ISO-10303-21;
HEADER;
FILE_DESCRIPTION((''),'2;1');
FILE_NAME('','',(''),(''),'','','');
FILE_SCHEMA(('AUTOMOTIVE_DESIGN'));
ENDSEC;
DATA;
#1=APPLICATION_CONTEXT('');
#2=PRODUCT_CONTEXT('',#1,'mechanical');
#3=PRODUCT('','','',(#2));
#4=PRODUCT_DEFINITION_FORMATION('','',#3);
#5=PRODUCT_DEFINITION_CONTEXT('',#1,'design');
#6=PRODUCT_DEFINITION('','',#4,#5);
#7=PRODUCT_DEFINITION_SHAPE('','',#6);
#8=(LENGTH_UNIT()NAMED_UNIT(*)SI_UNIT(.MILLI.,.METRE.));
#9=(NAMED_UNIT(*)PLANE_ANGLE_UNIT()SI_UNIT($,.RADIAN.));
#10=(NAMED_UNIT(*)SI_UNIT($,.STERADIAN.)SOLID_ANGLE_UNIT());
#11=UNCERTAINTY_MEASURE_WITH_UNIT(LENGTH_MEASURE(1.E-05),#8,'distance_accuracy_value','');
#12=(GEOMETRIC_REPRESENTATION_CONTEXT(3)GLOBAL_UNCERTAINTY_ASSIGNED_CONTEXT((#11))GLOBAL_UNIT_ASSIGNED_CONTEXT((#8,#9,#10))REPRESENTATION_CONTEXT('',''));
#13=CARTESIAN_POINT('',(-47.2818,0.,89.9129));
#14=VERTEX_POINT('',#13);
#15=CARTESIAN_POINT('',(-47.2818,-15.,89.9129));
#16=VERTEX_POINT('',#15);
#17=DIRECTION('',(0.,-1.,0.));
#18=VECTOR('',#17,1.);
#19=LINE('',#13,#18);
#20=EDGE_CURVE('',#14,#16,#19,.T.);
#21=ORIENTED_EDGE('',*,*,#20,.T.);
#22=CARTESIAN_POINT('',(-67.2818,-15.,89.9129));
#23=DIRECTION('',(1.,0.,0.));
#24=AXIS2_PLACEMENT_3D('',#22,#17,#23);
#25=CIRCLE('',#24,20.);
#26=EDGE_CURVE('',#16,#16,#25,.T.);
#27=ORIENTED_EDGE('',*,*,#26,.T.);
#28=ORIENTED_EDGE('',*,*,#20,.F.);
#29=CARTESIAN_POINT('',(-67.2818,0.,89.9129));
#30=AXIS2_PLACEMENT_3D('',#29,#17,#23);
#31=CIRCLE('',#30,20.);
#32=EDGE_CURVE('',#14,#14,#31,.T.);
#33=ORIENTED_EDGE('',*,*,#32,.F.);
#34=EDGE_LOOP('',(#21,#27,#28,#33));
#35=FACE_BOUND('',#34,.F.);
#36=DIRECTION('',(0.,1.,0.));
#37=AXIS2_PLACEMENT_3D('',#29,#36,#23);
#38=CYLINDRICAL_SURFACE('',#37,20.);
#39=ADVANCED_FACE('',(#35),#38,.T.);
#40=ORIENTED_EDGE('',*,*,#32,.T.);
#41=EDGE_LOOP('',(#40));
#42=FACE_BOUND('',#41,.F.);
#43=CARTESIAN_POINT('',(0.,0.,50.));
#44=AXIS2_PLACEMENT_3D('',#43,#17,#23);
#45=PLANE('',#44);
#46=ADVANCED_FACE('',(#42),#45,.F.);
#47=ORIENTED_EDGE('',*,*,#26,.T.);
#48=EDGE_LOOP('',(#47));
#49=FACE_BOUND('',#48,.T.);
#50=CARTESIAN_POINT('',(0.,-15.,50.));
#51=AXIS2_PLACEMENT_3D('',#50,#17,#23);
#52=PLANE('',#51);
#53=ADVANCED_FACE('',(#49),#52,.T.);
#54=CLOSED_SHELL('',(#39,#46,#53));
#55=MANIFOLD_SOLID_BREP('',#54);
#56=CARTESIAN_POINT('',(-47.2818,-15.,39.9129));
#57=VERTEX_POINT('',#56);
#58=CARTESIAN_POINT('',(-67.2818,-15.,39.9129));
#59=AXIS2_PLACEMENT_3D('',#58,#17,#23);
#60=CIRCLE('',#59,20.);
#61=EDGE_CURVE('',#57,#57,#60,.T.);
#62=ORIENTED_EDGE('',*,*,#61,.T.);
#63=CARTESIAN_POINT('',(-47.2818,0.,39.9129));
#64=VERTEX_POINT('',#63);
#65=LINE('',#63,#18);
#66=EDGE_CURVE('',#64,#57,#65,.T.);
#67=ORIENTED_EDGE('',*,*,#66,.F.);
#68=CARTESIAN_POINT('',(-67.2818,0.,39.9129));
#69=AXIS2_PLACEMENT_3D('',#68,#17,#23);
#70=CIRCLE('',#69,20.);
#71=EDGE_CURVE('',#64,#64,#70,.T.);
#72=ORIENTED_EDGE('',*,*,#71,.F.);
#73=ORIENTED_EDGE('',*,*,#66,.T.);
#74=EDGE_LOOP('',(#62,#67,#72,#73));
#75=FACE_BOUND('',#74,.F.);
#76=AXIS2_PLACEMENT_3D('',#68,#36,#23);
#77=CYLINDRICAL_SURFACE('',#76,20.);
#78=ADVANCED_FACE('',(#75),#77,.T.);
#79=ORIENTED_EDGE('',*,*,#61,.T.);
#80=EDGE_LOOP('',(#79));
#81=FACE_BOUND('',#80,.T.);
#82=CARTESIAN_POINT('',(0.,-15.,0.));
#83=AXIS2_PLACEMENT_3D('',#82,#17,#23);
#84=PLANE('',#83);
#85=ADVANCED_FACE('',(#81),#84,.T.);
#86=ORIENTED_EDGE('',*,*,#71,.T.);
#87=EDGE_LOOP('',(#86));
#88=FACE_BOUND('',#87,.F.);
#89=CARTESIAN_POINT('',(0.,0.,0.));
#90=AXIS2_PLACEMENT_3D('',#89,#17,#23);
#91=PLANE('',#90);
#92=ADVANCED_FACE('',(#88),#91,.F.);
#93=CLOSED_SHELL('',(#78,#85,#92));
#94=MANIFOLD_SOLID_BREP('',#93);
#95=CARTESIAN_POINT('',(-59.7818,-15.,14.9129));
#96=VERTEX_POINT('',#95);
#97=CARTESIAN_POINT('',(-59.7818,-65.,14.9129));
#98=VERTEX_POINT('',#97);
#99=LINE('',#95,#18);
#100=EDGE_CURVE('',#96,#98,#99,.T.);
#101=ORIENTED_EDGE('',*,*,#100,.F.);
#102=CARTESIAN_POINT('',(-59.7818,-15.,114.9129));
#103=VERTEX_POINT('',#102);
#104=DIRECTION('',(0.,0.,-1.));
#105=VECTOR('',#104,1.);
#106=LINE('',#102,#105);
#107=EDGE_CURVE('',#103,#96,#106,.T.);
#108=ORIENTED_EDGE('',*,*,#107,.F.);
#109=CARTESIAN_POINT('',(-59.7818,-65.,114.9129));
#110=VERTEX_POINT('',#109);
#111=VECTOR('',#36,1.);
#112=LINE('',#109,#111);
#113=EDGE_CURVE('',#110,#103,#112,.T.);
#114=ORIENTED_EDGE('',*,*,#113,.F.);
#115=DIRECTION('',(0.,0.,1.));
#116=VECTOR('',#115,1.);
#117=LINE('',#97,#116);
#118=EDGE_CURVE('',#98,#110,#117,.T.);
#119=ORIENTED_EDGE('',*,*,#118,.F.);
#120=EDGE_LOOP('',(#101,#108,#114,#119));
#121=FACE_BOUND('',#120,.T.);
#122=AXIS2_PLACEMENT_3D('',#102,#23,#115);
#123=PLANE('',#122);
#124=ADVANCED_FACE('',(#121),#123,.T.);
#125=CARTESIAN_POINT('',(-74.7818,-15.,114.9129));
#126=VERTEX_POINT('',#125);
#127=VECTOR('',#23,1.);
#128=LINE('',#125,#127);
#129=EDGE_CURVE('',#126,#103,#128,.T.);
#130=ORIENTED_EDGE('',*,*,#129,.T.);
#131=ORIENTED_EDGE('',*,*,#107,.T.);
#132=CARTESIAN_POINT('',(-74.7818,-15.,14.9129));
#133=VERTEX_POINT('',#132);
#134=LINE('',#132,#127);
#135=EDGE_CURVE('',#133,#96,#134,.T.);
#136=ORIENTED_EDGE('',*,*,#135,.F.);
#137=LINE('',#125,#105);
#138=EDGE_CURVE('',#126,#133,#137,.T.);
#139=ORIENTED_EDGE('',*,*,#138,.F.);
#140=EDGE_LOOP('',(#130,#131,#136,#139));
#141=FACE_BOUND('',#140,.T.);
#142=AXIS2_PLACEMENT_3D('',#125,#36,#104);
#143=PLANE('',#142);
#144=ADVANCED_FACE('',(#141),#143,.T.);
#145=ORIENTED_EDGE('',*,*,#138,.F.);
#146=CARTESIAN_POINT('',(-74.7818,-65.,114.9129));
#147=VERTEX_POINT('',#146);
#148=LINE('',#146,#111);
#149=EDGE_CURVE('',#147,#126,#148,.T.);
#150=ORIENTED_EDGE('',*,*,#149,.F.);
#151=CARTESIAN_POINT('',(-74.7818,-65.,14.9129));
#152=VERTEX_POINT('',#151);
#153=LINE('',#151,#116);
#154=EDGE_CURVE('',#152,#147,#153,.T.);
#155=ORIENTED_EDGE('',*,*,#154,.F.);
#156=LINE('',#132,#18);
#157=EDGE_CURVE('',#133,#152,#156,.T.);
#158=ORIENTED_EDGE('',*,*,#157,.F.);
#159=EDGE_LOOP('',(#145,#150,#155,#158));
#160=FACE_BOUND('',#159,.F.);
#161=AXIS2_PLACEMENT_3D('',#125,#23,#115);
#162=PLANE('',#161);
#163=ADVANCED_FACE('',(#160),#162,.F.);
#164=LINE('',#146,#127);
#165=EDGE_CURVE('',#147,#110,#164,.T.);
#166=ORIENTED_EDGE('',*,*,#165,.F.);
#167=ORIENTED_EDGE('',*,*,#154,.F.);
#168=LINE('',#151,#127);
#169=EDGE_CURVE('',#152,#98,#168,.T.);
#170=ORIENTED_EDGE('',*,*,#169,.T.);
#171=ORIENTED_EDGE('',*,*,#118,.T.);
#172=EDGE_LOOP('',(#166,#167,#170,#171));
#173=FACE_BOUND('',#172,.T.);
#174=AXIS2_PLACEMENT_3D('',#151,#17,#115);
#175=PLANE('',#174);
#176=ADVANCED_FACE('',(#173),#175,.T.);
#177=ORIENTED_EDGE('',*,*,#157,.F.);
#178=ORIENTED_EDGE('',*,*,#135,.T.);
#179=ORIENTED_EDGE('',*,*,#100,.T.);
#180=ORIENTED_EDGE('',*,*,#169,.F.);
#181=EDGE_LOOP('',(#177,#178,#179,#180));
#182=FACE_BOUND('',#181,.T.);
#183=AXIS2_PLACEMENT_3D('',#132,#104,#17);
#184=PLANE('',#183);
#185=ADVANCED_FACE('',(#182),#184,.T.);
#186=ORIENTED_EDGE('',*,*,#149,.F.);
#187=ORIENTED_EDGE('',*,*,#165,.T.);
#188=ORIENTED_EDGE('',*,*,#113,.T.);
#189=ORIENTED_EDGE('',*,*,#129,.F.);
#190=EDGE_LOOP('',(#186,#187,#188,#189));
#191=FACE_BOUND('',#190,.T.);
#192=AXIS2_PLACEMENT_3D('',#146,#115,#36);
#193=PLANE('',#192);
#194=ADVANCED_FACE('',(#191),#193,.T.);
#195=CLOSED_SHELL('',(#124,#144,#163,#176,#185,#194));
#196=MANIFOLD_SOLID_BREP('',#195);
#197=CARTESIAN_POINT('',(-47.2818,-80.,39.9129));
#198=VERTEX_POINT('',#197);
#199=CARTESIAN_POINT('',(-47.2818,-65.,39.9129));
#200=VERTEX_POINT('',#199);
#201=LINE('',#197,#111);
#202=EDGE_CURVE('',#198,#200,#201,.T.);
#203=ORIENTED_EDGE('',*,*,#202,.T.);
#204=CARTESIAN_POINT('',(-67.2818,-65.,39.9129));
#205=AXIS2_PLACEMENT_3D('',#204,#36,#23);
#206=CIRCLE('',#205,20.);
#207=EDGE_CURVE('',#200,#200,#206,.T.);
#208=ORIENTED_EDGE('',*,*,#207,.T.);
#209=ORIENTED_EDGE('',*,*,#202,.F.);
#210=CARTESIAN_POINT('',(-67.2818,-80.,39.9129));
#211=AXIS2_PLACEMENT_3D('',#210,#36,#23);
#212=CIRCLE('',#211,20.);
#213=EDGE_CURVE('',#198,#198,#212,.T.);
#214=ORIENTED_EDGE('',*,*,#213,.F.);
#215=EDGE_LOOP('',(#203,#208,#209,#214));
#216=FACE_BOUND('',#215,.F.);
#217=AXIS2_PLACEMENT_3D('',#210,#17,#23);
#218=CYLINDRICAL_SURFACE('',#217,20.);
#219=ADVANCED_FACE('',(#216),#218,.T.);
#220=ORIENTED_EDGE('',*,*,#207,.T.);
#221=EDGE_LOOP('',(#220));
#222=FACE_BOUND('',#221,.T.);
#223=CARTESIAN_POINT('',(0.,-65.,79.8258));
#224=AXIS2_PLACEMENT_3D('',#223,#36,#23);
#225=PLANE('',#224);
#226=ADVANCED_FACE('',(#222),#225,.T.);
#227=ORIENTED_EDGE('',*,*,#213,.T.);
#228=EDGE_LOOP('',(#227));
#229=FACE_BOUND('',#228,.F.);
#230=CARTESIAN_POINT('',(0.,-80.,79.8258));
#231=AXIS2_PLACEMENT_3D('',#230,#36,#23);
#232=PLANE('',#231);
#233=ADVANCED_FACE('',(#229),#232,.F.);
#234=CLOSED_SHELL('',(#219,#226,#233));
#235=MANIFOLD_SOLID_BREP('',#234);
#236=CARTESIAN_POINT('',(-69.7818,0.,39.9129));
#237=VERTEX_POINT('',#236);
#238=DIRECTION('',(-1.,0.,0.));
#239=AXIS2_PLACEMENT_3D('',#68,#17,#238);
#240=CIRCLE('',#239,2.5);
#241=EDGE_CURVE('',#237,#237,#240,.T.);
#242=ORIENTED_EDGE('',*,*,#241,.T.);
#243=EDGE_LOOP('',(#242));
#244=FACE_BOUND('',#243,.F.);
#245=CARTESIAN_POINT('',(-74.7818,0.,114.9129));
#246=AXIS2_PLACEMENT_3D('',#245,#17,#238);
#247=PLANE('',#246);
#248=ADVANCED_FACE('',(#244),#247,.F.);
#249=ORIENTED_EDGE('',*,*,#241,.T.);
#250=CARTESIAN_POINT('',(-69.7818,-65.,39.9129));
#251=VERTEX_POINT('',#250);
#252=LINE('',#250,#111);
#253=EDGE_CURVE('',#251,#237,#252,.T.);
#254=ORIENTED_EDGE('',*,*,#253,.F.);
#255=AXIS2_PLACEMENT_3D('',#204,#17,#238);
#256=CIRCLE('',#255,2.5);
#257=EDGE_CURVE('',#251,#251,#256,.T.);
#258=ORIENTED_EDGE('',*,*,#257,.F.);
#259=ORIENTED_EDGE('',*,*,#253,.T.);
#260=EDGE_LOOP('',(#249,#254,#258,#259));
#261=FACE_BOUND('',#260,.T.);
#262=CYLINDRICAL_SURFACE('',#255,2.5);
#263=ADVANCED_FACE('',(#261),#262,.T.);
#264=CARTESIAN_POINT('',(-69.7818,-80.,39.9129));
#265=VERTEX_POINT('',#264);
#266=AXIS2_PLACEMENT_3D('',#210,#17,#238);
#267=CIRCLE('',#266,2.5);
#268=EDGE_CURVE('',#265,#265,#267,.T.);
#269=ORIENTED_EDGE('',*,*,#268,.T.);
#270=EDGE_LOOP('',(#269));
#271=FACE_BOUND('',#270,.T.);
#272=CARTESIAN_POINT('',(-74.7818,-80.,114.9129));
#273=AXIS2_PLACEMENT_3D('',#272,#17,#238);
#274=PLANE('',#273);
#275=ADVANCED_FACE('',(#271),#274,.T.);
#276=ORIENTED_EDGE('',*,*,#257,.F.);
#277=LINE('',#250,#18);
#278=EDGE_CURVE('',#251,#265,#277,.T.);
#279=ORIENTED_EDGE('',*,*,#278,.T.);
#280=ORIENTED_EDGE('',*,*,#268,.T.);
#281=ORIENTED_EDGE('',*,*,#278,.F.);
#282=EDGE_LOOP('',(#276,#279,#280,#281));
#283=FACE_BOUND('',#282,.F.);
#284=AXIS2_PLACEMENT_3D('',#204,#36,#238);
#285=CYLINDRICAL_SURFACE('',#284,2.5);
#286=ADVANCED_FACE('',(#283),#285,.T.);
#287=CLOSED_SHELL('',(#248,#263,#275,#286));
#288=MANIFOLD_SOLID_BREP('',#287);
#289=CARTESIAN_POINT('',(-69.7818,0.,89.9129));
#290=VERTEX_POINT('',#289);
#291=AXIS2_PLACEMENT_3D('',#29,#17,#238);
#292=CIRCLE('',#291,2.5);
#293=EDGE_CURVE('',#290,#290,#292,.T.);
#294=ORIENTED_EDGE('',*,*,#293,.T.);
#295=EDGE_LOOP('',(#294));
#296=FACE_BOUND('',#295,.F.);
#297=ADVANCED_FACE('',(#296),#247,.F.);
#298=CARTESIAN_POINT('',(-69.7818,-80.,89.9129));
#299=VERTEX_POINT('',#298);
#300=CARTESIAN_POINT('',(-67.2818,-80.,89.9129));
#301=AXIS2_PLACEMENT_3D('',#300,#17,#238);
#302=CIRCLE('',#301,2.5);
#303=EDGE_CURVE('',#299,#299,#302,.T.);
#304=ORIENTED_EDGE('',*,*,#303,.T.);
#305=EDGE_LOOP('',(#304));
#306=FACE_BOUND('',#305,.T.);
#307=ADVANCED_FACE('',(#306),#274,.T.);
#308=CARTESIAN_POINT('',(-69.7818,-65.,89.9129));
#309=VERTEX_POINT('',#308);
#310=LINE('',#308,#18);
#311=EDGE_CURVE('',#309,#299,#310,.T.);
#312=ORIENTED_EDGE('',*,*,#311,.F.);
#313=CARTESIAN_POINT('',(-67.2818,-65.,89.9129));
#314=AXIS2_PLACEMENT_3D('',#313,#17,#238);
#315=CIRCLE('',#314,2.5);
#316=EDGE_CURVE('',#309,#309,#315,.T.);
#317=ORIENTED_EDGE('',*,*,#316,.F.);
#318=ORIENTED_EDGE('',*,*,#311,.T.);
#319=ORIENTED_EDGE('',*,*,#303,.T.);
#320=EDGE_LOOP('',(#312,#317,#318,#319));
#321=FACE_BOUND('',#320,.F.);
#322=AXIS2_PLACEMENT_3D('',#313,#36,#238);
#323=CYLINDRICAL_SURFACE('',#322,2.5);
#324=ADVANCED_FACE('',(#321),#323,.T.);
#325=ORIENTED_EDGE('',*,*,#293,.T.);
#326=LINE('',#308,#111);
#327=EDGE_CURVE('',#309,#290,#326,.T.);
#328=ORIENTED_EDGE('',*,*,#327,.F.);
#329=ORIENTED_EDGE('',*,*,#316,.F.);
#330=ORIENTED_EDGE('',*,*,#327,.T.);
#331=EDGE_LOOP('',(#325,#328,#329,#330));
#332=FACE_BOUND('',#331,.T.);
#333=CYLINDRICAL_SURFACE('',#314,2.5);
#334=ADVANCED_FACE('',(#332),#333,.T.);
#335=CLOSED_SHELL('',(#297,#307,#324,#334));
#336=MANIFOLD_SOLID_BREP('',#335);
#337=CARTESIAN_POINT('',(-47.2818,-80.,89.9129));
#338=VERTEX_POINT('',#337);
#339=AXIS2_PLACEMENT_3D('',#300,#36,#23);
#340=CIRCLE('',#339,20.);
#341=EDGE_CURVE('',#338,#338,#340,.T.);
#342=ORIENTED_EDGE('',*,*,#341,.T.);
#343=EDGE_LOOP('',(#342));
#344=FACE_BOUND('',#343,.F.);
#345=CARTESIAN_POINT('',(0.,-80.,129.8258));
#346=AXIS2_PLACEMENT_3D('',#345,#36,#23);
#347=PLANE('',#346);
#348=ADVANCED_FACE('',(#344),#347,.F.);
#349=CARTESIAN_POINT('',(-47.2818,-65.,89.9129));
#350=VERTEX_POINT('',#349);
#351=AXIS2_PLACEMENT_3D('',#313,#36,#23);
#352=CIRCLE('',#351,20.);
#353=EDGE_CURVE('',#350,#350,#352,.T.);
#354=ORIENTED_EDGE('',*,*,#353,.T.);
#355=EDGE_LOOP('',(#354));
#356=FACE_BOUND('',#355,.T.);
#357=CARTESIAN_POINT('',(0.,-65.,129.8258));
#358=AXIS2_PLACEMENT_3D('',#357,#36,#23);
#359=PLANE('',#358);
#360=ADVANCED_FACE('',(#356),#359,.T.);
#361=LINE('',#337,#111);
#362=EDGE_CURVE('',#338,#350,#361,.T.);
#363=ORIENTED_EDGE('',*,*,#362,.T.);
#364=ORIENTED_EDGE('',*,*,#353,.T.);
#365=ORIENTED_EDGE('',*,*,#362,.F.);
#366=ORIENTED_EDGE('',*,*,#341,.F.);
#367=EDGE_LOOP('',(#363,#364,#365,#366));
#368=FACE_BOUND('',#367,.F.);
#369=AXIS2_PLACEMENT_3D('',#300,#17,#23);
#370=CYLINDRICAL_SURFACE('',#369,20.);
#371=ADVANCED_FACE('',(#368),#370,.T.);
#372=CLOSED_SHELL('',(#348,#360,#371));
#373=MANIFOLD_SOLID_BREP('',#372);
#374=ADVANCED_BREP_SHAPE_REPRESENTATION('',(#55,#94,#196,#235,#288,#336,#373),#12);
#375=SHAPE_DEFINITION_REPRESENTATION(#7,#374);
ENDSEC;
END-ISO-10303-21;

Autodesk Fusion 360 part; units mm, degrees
sketch "草图1" plane through (0, 0, 0) normal (1, 0, 0) x (0, 0, -1) in component "body"
  line L0 (0, 0) -> (-100, 0)
  line L1 (-100, 0) -> (-100, 50)
  line L2 (-100, 50) -> (0, 50)
  line L3 (0, 50) -> (0, 0)
  dimension "d11" = 100
  dimension "d12" = 50
extrude "拉伸1" add sketch "草图1" along normal blind 15 makes body 1 in component "body"
sketch "草图1 (2)" plane through (0, 50, 0) normal (0, 1, 0) x (-1, 0, 0) in component "axis"
  line L0 (0, 0) -> (0, 100)
  line L1 (0, 100) -> (-15, 100)
  line L2 (-15, 100) -> (-15, 0)
  line L3 (-15, 0) -> (0, 0)
  circle A0 centre (-7.5, 25) radius 2.5
  line L4 (0, 50) -> (-46.2077, 50)
  circle A1 centre (-7.5, 75) radius 2.5
  dimension "d15" = 5
  dimension "d16" = 25
  dimension "d17" = 7.5
extrude "拉伸1'" add sketch "草图1 (2)" along normal blind 15 and the other way blind 65 separate body contours A0 | A1 makes body 2 at (5.0124, 28.3333, 24.7511) makes body 3 at (5.0124, 28.3333, 74.7511) in component "axis"
sketch "草图2" plane through (0, 0, 0) normal (0, -1, 0) x (1, 0, 0)
  line L0 (0, 100) -> (0, 0)
  line L1 (0, 0) -> (15, 0)
  line L2 (15, 0) -> (15, 100)
  line L3 (15, 100) -> (0, 100)
  circle A0 centre (-67.2818, 39.9129) radius 20
  dimension "d26" = 40
extrude "拉伸2" add sketch "草图2" along normal blind 15 separate body contours A0 makes body 4
copy_body "实体->零部件1" bodies 4 removing the originals makes body 5 in component "wheel"
component "body" placed x (1, 0, 0) y (0, -1, 0) z (0, 0, -1) at (-74.7818, -15, 114.9129)
component "axis" placed x (1, 0, 0) y (0, -1, 0) z (0, 0, -1) at (-74.7818, -15, 114.9129)
component "wheel" placed x (1, 0, 0) y (0, 1, 0) z (0, 0, 1) at (0, 0, 0)
component "wheel" placed x (1, 0, 0) y (0, -1, 0) z (0, 0, -1) at (0, -80, 79.8258)
component "wheel" placed x (1, 0, 0) y (0, -1, 0) z (0, 0, -1) at (0, -80, 129.8258)
component "wheel" placed x (1, 0, 0) y (0, 1, 0) z (0, 0, 1) at (0, 0, 50)
equation "length = 100 mm"
equation "width = 50 mm"
equation "thickness = 15 mm"
equation "wheelDistance = 50 mm"
equation "wheelDiameter = 40 mm"
equation "wheelThickness = 15 mm"
equation "d11 = length"
equation "d12 = width"
equation "d13 = thickness"
equation "d16 = length / 4"
equation "d17 = thickness / 2"
equation "d18 = wheelThickness"
equation "d20 = wheelThickness + width"
equation "d24 = length / 4"
equation "d25 = wheelThickness"
equation "d26 = wheelDiameter"
equation "d27 = wheelThickness"
equation "d31 = 0.25 * length"
equation "d32 = wheelDistance / 2 - width / 2"
equation "d35 = -0.25 * length"
equation "d36 = wheelDistance / 2 - width / 2"
equation "d39 = 0.25 * length"
equation "d40 = wheelDistance / 2 - width / 2"
equation "d43 = -0.25 * length"
equation "d44 = wheelDistance / 2 - width / 2"
